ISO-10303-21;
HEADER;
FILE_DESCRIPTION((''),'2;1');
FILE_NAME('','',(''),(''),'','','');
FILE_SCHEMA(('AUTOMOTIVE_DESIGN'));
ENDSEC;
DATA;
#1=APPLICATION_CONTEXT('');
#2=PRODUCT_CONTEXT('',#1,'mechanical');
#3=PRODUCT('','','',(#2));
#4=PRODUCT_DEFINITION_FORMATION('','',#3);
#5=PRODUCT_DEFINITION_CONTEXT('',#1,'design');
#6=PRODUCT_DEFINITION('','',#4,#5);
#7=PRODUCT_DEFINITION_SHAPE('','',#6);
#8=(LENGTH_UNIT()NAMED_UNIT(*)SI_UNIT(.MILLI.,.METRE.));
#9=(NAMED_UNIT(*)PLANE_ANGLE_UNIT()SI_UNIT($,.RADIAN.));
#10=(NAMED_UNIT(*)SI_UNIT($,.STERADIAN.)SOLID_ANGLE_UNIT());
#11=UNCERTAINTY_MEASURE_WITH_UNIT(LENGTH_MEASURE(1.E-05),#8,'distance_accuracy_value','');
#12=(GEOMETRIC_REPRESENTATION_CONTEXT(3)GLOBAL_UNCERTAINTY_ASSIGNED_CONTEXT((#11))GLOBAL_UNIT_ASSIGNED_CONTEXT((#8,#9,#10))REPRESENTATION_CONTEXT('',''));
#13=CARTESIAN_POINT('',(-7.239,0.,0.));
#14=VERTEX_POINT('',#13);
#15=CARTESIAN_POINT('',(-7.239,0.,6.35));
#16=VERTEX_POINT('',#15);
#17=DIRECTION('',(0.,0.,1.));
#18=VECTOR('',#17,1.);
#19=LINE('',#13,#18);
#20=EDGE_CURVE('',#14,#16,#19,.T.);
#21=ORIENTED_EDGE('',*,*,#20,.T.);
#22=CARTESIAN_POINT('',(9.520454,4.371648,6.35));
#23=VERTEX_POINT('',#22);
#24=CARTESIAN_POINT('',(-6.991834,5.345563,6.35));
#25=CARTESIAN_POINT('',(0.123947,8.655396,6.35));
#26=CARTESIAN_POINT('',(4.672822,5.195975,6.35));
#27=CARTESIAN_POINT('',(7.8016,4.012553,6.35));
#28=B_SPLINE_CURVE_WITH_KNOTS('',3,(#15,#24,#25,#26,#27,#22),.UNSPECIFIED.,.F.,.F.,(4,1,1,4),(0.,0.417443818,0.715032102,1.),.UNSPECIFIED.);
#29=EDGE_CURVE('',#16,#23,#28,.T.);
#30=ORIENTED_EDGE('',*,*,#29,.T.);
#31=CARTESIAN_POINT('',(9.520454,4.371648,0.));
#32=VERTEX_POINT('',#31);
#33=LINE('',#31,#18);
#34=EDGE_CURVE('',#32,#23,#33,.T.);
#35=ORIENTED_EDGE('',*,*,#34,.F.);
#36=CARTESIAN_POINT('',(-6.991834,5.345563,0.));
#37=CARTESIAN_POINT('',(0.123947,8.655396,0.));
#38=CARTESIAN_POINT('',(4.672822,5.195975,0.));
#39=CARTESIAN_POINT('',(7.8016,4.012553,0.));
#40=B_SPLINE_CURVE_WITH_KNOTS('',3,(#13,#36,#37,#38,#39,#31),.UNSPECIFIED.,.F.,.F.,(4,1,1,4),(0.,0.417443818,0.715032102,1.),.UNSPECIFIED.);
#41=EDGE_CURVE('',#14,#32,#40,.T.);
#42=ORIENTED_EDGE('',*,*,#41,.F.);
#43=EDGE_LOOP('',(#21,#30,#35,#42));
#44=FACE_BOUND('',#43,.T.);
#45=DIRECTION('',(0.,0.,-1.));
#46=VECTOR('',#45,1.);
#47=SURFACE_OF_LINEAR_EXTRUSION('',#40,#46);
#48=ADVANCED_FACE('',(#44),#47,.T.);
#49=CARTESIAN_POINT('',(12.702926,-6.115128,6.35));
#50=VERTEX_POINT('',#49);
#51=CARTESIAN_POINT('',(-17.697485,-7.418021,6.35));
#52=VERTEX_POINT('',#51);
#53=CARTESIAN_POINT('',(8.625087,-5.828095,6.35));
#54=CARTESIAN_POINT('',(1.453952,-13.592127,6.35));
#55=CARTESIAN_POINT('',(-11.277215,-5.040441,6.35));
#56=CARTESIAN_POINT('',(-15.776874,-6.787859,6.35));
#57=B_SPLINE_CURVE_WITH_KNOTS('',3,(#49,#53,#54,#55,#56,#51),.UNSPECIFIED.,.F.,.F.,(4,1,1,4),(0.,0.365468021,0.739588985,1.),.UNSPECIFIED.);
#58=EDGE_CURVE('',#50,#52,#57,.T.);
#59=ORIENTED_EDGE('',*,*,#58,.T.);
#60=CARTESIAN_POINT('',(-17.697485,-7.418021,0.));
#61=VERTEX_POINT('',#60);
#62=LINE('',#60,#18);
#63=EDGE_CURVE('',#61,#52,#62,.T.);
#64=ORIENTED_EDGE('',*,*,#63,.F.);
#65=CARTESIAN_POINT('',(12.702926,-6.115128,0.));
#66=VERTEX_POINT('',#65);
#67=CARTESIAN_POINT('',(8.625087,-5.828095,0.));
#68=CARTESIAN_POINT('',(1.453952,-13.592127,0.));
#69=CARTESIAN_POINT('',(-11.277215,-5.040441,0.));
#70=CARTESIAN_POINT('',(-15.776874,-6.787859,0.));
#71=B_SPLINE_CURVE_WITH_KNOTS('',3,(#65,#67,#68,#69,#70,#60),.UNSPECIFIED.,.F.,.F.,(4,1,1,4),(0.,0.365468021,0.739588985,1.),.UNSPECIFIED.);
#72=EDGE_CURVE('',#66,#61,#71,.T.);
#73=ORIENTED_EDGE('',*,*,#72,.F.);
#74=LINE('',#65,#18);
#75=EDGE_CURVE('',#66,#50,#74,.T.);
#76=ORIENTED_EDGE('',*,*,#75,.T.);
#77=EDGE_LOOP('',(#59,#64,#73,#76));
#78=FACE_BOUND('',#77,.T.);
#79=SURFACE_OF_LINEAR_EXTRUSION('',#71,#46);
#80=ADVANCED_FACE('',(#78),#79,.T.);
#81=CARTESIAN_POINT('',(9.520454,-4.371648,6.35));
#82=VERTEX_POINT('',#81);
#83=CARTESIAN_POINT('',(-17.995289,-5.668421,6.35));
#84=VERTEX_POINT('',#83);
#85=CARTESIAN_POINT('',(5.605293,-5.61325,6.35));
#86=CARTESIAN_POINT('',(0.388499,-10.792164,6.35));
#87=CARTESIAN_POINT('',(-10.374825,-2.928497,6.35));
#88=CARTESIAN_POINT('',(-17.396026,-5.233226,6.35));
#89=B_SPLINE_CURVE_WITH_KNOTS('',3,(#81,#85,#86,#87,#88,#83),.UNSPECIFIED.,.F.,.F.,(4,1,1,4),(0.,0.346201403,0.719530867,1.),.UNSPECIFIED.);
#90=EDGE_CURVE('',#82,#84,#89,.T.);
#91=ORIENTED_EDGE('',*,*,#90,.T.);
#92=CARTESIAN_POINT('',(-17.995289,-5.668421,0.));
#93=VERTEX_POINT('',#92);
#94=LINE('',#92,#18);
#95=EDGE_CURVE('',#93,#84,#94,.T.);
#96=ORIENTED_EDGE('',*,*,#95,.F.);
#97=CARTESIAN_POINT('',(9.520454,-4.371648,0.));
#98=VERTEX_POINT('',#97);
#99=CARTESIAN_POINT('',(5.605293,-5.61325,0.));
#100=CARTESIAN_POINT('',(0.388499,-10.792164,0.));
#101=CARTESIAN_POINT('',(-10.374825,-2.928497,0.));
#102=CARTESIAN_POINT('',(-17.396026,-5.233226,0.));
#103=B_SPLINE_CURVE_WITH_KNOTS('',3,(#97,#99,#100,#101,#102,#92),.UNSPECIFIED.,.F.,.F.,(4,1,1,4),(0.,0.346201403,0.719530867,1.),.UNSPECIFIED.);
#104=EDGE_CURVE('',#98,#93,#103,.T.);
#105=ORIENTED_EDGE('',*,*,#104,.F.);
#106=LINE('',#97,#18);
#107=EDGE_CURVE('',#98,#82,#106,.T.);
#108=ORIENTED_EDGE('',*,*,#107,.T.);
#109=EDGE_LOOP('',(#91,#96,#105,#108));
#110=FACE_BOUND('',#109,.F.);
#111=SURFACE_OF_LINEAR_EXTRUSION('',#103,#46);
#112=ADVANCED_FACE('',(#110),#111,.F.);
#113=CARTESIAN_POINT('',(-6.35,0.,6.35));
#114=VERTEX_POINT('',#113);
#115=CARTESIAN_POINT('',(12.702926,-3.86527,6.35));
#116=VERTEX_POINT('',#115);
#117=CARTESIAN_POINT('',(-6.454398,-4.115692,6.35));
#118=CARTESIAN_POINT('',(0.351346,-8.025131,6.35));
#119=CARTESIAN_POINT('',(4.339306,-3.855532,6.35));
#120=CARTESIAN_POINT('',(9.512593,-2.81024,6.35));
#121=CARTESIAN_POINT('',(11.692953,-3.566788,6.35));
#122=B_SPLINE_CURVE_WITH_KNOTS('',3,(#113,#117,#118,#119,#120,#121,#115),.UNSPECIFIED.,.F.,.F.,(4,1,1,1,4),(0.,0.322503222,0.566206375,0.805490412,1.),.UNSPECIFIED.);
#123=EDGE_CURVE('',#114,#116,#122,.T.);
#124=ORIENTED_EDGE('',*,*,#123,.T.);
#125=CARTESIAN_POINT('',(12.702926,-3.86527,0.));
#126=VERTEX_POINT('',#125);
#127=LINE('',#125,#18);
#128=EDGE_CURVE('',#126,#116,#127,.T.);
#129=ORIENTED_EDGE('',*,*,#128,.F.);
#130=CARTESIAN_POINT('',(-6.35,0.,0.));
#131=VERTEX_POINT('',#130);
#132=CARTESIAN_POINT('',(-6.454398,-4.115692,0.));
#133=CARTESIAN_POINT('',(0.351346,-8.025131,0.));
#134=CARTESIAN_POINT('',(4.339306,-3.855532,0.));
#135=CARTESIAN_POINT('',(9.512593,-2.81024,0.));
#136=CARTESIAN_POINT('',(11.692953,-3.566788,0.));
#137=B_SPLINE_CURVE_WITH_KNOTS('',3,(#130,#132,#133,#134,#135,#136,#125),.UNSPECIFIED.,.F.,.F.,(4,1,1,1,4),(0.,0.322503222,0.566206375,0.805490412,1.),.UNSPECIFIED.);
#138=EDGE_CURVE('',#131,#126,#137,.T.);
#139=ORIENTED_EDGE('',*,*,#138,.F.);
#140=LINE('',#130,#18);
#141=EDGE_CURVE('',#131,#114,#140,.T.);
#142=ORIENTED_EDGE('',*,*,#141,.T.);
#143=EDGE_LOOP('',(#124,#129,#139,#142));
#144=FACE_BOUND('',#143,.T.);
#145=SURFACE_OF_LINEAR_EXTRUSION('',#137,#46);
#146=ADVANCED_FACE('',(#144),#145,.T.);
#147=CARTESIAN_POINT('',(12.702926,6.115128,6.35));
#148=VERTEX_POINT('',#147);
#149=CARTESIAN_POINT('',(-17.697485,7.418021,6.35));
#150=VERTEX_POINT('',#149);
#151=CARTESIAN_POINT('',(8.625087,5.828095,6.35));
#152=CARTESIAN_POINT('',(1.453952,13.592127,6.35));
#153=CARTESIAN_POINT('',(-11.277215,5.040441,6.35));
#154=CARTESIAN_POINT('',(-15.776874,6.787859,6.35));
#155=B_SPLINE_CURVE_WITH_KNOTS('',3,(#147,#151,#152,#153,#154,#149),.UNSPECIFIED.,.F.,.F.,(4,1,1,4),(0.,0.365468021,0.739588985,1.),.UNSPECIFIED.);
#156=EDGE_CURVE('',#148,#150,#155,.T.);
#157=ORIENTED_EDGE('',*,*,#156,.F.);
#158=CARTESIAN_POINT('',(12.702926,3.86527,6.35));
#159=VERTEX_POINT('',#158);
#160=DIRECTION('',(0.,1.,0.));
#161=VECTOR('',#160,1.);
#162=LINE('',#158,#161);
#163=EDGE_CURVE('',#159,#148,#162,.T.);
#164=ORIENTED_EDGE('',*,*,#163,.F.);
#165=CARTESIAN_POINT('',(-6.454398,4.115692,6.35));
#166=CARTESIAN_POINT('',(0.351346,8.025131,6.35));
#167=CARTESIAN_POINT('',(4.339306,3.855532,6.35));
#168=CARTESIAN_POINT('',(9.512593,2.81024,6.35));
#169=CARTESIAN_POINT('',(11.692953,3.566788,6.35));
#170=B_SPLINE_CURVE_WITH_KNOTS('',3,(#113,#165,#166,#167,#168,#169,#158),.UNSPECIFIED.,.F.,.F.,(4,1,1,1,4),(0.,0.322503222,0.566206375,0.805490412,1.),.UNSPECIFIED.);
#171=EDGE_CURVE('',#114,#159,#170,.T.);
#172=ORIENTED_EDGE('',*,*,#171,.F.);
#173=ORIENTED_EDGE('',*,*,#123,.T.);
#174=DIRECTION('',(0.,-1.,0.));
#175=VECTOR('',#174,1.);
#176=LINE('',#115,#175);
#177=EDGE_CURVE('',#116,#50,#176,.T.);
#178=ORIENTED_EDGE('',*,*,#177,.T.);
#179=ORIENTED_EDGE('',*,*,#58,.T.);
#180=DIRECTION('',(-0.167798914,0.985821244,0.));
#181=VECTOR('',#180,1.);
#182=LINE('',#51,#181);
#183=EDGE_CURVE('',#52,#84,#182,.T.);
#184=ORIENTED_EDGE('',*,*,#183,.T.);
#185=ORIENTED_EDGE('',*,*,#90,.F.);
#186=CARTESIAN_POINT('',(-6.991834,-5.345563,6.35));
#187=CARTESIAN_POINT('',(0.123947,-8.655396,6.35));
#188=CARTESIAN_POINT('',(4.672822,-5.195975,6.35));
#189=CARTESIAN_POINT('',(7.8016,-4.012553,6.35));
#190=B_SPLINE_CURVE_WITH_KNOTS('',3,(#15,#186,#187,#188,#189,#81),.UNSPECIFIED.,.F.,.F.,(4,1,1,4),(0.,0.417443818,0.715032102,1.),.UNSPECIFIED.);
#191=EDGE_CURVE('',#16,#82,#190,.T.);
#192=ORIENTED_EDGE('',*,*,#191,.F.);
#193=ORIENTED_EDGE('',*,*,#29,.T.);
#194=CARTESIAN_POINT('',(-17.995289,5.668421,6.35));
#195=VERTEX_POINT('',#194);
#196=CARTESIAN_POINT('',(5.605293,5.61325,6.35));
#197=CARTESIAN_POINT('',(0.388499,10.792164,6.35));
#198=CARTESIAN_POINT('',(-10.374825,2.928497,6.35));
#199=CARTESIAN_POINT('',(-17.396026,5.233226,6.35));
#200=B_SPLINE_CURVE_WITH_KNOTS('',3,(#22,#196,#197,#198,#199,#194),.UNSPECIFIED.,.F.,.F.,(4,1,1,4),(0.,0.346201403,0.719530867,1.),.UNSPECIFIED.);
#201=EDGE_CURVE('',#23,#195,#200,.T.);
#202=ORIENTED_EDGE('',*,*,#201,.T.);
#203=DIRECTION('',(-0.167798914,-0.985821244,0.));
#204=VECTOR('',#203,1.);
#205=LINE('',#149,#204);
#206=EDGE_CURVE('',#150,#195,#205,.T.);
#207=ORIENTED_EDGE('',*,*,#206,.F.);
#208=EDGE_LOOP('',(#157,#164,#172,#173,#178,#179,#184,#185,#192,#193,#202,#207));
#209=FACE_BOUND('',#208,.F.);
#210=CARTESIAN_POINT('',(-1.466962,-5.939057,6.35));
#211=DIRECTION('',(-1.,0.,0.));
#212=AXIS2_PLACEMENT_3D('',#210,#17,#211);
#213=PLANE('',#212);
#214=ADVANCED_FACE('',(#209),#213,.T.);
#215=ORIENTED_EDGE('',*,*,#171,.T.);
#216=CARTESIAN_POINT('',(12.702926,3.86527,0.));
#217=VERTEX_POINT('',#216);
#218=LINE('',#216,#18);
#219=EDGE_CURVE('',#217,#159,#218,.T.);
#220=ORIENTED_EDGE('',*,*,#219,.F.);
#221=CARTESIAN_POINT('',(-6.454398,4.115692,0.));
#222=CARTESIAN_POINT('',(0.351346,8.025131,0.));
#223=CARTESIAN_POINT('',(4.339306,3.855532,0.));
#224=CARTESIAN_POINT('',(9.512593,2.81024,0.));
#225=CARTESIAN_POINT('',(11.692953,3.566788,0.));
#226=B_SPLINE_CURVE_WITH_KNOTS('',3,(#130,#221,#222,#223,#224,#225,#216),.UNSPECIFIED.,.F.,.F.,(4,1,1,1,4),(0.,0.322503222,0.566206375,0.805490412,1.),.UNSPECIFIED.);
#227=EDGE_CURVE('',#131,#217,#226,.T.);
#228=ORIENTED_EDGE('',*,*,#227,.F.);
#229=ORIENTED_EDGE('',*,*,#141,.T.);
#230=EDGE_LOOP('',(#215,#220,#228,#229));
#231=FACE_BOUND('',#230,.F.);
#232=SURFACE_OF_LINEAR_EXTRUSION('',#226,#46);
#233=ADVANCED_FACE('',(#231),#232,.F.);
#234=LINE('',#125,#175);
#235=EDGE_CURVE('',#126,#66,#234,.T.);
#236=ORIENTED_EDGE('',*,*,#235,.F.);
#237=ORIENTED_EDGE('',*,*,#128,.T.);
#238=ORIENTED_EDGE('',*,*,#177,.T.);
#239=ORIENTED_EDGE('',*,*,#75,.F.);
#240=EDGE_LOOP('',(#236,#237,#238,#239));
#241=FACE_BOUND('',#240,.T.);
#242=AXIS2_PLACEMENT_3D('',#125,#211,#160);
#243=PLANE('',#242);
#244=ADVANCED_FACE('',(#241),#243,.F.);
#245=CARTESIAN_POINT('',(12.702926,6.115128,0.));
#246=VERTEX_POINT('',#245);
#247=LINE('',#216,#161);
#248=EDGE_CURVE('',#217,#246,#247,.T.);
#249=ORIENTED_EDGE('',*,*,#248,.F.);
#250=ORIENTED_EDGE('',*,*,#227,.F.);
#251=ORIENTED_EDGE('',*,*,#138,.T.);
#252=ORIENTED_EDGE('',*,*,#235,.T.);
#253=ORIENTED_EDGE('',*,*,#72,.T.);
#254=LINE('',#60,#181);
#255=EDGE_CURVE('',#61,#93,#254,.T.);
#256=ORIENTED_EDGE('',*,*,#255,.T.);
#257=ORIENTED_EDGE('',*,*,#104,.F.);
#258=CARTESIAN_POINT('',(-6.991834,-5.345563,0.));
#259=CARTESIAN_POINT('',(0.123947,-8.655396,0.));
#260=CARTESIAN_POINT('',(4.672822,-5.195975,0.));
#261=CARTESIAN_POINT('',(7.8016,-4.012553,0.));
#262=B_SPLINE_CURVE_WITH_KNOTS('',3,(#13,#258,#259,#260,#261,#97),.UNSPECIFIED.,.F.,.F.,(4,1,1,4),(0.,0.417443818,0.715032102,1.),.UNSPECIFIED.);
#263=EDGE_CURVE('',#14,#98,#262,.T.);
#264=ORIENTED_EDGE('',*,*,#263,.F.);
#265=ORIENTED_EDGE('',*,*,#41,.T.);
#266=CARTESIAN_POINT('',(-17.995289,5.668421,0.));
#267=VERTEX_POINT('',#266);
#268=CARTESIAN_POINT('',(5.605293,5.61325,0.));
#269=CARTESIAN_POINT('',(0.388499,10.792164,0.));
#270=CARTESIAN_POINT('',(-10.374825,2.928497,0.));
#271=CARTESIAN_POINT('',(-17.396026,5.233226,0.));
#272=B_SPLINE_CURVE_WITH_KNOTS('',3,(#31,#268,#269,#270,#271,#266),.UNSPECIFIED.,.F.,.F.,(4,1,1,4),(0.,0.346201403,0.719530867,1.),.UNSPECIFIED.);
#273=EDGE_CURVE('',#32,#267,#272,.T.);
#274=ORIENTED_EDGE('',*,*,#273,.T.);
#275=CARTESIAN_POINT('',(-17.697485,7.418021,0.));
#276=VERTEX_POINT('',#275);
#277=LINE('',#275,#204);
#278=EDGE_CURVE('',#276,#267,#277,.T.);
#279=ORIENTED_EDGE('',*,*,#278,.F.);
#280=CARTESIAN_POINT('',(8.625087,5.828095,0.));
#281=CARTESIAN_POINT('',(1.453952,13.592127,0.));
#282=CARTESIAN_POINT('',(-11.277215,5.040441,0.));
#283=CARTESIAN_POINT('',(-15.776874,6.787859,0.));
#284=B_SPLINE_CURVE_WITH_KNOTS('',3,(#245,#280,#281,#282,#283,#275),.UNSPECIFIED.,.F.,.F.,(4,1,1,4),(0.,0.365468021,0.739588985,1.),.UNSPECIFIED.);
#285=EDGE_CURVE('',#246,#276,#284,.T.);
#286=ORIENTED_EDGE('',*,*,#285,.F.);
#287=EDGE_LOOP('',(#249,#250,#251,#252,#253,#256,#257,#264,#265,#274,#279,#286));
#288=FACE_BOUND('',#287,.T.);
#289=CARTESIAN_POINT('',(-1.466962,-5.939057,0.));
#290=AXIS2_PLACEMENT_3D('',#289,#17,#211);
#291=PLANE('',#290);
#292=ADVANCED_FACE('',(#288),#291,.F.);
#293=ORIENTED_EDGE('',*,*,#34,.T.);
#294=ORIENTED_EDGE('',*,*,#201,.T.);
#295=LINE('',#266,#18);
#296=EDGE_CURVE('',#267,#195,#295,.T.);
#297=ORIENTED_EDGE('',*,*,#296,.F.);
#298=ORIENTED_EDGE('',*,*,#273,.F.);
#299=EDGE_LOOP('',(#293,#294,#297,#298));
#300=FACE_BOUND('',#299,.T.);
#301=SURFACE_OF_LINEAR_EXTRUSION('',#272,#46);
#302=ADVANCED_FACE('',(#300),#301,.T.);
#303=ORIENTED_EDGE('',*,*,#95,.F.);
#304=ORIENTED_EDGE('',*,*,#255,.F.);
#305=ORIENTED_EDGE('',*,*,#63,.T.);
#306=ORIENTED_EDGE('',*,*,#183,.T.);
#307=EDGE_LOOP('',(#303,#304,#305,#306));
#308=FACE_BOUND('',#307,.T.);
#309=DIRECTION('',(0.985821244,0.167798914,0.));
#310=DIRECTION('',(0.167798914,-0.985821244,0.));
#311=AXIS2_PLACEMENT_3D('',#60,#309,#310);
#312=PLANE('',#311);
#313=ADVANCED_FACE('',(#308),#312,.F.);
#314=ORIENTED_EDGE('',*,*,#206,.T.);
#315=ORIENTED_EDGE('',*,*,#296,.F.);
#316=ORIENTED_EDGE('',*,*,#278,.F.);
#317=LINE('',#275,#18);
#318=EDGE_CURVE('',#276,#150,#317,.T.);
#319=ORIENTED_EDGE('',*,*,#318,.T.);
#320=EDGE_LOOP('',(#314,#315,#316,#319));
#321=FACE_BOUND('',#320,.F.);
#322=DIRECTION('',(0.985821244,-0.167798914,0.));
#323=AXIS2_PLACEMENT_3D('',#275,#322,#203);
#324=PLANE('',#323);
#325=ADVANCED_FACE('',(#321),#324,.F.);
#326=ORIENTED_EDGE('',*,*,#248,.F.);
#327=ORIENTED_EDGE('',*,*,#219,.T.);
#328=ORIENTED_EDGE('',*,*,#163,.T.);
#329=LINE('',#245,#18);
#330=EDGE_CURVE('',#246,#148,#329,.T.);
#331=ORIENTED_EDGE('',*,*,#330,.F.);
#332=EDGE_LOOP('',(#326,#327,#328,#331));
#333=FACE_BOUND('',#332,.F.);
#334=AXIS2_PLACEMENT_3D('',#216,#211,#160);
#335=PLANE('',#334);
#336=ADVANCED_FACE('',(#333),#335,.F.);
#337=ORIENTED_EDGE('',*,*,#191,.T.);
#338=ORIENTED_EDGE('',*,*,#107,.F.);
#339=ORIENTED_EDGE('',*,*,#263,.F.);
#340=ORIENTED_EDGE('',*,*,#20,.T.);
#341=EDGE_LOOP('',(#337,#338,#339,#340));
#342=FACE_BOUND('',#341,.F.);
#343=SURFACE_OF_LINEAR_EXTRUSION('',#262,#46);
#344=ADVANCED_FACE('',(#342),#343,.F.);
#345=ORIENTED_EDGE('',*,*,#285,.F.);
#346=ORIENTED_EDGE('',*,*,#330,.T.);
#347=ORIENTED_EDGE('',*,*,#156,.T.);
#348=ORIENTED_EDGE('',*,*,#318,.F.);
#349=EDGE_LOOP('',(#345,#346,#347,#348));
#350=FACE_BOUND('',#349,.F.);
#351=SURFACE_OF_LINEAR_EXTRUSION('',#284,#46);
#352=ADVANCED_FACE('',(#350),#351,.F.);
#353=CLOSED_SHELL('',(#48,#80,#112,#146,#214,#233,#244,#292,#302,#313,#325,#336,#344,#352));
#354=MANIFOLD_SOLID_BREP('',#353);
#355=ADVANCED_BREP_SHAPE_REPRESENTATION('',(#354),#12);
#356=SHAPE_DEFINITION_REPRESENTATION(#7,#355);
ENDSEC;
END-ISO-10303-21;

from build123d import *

# Parameters (mm, degrees)
F1_DEPTH = 6.35


with BuildPart() as f1:
    # F0 (on Top) → F1 (new body)
    with BuildSketch(Plane.XY):
        with BuildLine():
            Line((-7.239, 0), (-6.35, 0))
            add(Edge.make_bspline(
                [(-6.35, 0), (-6.4543979242, 4.1156923398), (0.3513461825, 8.0251314613), (4.3393055159, 3.8555318229), (9.5125925411, 2.8102399995), (11.6929529649, 3.5667879851), (12.702926062, 3.8652697112)],
                knots=[0, 0, 0, 0, 0.3225032216, 0.5662063752, 0.8054904119, 1, 1, 1, 1], degree=3))
            Line((12.702926062, 3.8652697112), (12.702926062, 6.1151278205))
            add(Edge.make_bspline(
                [(12.702926062, 6.1151278205), (8.6250874933, 5.8280945289), (1.4539521042, 13.5921273042), (-11.2772145806, 5.0404405999), (-15.7768738407, 6.7878590405), (-17.6974851638, 7.4180210941)],
                knots=[0, 0, 0, 0, 0.3654680208, 0.7395889852, 1, 1, 1, 1], degree=3))
            Line((-17.6974851638, 7.4180210941), (-17.9952885956, 5.6684212759))
            add(Edge.make_bspline(
                [(9.5204543322, 4.3716481887), (5.6052934378, 5.6132501923), (0.3884985264, 10.7921644646), (-10.3748253629, 2.9284973686), (-17.3960257017, 5.2332257866), (-17.9952885956, 5.6684212759)],
                knots=[0, 0, 0, 0, 0.3462014032, 0.7195308673, 1, 1, 1, 1], degree=3))
            add(Edge.make_bspline(
                [(-7.239, 0), (-6.9918343797, 5.3455634043), (0.1239468337, 8.6553963179), (4.6728223383, 5.195974942), (7.8015998006, 4.0125525557), (9.5204543322, 4.3716481887)],
                knots=[0, 0, 0, 0, 0.4174438181, 0.7150321024, 1, 1, 1, 1], degree=3))
        make_face()
    extrude(amount=F1_DEPTH)

    # F2: F1 across plane


with BuildPart() as f1_1:
    add(f1.part)
    add(f1.part.mirror(Plane.XZ))


solid = f1_1.part
